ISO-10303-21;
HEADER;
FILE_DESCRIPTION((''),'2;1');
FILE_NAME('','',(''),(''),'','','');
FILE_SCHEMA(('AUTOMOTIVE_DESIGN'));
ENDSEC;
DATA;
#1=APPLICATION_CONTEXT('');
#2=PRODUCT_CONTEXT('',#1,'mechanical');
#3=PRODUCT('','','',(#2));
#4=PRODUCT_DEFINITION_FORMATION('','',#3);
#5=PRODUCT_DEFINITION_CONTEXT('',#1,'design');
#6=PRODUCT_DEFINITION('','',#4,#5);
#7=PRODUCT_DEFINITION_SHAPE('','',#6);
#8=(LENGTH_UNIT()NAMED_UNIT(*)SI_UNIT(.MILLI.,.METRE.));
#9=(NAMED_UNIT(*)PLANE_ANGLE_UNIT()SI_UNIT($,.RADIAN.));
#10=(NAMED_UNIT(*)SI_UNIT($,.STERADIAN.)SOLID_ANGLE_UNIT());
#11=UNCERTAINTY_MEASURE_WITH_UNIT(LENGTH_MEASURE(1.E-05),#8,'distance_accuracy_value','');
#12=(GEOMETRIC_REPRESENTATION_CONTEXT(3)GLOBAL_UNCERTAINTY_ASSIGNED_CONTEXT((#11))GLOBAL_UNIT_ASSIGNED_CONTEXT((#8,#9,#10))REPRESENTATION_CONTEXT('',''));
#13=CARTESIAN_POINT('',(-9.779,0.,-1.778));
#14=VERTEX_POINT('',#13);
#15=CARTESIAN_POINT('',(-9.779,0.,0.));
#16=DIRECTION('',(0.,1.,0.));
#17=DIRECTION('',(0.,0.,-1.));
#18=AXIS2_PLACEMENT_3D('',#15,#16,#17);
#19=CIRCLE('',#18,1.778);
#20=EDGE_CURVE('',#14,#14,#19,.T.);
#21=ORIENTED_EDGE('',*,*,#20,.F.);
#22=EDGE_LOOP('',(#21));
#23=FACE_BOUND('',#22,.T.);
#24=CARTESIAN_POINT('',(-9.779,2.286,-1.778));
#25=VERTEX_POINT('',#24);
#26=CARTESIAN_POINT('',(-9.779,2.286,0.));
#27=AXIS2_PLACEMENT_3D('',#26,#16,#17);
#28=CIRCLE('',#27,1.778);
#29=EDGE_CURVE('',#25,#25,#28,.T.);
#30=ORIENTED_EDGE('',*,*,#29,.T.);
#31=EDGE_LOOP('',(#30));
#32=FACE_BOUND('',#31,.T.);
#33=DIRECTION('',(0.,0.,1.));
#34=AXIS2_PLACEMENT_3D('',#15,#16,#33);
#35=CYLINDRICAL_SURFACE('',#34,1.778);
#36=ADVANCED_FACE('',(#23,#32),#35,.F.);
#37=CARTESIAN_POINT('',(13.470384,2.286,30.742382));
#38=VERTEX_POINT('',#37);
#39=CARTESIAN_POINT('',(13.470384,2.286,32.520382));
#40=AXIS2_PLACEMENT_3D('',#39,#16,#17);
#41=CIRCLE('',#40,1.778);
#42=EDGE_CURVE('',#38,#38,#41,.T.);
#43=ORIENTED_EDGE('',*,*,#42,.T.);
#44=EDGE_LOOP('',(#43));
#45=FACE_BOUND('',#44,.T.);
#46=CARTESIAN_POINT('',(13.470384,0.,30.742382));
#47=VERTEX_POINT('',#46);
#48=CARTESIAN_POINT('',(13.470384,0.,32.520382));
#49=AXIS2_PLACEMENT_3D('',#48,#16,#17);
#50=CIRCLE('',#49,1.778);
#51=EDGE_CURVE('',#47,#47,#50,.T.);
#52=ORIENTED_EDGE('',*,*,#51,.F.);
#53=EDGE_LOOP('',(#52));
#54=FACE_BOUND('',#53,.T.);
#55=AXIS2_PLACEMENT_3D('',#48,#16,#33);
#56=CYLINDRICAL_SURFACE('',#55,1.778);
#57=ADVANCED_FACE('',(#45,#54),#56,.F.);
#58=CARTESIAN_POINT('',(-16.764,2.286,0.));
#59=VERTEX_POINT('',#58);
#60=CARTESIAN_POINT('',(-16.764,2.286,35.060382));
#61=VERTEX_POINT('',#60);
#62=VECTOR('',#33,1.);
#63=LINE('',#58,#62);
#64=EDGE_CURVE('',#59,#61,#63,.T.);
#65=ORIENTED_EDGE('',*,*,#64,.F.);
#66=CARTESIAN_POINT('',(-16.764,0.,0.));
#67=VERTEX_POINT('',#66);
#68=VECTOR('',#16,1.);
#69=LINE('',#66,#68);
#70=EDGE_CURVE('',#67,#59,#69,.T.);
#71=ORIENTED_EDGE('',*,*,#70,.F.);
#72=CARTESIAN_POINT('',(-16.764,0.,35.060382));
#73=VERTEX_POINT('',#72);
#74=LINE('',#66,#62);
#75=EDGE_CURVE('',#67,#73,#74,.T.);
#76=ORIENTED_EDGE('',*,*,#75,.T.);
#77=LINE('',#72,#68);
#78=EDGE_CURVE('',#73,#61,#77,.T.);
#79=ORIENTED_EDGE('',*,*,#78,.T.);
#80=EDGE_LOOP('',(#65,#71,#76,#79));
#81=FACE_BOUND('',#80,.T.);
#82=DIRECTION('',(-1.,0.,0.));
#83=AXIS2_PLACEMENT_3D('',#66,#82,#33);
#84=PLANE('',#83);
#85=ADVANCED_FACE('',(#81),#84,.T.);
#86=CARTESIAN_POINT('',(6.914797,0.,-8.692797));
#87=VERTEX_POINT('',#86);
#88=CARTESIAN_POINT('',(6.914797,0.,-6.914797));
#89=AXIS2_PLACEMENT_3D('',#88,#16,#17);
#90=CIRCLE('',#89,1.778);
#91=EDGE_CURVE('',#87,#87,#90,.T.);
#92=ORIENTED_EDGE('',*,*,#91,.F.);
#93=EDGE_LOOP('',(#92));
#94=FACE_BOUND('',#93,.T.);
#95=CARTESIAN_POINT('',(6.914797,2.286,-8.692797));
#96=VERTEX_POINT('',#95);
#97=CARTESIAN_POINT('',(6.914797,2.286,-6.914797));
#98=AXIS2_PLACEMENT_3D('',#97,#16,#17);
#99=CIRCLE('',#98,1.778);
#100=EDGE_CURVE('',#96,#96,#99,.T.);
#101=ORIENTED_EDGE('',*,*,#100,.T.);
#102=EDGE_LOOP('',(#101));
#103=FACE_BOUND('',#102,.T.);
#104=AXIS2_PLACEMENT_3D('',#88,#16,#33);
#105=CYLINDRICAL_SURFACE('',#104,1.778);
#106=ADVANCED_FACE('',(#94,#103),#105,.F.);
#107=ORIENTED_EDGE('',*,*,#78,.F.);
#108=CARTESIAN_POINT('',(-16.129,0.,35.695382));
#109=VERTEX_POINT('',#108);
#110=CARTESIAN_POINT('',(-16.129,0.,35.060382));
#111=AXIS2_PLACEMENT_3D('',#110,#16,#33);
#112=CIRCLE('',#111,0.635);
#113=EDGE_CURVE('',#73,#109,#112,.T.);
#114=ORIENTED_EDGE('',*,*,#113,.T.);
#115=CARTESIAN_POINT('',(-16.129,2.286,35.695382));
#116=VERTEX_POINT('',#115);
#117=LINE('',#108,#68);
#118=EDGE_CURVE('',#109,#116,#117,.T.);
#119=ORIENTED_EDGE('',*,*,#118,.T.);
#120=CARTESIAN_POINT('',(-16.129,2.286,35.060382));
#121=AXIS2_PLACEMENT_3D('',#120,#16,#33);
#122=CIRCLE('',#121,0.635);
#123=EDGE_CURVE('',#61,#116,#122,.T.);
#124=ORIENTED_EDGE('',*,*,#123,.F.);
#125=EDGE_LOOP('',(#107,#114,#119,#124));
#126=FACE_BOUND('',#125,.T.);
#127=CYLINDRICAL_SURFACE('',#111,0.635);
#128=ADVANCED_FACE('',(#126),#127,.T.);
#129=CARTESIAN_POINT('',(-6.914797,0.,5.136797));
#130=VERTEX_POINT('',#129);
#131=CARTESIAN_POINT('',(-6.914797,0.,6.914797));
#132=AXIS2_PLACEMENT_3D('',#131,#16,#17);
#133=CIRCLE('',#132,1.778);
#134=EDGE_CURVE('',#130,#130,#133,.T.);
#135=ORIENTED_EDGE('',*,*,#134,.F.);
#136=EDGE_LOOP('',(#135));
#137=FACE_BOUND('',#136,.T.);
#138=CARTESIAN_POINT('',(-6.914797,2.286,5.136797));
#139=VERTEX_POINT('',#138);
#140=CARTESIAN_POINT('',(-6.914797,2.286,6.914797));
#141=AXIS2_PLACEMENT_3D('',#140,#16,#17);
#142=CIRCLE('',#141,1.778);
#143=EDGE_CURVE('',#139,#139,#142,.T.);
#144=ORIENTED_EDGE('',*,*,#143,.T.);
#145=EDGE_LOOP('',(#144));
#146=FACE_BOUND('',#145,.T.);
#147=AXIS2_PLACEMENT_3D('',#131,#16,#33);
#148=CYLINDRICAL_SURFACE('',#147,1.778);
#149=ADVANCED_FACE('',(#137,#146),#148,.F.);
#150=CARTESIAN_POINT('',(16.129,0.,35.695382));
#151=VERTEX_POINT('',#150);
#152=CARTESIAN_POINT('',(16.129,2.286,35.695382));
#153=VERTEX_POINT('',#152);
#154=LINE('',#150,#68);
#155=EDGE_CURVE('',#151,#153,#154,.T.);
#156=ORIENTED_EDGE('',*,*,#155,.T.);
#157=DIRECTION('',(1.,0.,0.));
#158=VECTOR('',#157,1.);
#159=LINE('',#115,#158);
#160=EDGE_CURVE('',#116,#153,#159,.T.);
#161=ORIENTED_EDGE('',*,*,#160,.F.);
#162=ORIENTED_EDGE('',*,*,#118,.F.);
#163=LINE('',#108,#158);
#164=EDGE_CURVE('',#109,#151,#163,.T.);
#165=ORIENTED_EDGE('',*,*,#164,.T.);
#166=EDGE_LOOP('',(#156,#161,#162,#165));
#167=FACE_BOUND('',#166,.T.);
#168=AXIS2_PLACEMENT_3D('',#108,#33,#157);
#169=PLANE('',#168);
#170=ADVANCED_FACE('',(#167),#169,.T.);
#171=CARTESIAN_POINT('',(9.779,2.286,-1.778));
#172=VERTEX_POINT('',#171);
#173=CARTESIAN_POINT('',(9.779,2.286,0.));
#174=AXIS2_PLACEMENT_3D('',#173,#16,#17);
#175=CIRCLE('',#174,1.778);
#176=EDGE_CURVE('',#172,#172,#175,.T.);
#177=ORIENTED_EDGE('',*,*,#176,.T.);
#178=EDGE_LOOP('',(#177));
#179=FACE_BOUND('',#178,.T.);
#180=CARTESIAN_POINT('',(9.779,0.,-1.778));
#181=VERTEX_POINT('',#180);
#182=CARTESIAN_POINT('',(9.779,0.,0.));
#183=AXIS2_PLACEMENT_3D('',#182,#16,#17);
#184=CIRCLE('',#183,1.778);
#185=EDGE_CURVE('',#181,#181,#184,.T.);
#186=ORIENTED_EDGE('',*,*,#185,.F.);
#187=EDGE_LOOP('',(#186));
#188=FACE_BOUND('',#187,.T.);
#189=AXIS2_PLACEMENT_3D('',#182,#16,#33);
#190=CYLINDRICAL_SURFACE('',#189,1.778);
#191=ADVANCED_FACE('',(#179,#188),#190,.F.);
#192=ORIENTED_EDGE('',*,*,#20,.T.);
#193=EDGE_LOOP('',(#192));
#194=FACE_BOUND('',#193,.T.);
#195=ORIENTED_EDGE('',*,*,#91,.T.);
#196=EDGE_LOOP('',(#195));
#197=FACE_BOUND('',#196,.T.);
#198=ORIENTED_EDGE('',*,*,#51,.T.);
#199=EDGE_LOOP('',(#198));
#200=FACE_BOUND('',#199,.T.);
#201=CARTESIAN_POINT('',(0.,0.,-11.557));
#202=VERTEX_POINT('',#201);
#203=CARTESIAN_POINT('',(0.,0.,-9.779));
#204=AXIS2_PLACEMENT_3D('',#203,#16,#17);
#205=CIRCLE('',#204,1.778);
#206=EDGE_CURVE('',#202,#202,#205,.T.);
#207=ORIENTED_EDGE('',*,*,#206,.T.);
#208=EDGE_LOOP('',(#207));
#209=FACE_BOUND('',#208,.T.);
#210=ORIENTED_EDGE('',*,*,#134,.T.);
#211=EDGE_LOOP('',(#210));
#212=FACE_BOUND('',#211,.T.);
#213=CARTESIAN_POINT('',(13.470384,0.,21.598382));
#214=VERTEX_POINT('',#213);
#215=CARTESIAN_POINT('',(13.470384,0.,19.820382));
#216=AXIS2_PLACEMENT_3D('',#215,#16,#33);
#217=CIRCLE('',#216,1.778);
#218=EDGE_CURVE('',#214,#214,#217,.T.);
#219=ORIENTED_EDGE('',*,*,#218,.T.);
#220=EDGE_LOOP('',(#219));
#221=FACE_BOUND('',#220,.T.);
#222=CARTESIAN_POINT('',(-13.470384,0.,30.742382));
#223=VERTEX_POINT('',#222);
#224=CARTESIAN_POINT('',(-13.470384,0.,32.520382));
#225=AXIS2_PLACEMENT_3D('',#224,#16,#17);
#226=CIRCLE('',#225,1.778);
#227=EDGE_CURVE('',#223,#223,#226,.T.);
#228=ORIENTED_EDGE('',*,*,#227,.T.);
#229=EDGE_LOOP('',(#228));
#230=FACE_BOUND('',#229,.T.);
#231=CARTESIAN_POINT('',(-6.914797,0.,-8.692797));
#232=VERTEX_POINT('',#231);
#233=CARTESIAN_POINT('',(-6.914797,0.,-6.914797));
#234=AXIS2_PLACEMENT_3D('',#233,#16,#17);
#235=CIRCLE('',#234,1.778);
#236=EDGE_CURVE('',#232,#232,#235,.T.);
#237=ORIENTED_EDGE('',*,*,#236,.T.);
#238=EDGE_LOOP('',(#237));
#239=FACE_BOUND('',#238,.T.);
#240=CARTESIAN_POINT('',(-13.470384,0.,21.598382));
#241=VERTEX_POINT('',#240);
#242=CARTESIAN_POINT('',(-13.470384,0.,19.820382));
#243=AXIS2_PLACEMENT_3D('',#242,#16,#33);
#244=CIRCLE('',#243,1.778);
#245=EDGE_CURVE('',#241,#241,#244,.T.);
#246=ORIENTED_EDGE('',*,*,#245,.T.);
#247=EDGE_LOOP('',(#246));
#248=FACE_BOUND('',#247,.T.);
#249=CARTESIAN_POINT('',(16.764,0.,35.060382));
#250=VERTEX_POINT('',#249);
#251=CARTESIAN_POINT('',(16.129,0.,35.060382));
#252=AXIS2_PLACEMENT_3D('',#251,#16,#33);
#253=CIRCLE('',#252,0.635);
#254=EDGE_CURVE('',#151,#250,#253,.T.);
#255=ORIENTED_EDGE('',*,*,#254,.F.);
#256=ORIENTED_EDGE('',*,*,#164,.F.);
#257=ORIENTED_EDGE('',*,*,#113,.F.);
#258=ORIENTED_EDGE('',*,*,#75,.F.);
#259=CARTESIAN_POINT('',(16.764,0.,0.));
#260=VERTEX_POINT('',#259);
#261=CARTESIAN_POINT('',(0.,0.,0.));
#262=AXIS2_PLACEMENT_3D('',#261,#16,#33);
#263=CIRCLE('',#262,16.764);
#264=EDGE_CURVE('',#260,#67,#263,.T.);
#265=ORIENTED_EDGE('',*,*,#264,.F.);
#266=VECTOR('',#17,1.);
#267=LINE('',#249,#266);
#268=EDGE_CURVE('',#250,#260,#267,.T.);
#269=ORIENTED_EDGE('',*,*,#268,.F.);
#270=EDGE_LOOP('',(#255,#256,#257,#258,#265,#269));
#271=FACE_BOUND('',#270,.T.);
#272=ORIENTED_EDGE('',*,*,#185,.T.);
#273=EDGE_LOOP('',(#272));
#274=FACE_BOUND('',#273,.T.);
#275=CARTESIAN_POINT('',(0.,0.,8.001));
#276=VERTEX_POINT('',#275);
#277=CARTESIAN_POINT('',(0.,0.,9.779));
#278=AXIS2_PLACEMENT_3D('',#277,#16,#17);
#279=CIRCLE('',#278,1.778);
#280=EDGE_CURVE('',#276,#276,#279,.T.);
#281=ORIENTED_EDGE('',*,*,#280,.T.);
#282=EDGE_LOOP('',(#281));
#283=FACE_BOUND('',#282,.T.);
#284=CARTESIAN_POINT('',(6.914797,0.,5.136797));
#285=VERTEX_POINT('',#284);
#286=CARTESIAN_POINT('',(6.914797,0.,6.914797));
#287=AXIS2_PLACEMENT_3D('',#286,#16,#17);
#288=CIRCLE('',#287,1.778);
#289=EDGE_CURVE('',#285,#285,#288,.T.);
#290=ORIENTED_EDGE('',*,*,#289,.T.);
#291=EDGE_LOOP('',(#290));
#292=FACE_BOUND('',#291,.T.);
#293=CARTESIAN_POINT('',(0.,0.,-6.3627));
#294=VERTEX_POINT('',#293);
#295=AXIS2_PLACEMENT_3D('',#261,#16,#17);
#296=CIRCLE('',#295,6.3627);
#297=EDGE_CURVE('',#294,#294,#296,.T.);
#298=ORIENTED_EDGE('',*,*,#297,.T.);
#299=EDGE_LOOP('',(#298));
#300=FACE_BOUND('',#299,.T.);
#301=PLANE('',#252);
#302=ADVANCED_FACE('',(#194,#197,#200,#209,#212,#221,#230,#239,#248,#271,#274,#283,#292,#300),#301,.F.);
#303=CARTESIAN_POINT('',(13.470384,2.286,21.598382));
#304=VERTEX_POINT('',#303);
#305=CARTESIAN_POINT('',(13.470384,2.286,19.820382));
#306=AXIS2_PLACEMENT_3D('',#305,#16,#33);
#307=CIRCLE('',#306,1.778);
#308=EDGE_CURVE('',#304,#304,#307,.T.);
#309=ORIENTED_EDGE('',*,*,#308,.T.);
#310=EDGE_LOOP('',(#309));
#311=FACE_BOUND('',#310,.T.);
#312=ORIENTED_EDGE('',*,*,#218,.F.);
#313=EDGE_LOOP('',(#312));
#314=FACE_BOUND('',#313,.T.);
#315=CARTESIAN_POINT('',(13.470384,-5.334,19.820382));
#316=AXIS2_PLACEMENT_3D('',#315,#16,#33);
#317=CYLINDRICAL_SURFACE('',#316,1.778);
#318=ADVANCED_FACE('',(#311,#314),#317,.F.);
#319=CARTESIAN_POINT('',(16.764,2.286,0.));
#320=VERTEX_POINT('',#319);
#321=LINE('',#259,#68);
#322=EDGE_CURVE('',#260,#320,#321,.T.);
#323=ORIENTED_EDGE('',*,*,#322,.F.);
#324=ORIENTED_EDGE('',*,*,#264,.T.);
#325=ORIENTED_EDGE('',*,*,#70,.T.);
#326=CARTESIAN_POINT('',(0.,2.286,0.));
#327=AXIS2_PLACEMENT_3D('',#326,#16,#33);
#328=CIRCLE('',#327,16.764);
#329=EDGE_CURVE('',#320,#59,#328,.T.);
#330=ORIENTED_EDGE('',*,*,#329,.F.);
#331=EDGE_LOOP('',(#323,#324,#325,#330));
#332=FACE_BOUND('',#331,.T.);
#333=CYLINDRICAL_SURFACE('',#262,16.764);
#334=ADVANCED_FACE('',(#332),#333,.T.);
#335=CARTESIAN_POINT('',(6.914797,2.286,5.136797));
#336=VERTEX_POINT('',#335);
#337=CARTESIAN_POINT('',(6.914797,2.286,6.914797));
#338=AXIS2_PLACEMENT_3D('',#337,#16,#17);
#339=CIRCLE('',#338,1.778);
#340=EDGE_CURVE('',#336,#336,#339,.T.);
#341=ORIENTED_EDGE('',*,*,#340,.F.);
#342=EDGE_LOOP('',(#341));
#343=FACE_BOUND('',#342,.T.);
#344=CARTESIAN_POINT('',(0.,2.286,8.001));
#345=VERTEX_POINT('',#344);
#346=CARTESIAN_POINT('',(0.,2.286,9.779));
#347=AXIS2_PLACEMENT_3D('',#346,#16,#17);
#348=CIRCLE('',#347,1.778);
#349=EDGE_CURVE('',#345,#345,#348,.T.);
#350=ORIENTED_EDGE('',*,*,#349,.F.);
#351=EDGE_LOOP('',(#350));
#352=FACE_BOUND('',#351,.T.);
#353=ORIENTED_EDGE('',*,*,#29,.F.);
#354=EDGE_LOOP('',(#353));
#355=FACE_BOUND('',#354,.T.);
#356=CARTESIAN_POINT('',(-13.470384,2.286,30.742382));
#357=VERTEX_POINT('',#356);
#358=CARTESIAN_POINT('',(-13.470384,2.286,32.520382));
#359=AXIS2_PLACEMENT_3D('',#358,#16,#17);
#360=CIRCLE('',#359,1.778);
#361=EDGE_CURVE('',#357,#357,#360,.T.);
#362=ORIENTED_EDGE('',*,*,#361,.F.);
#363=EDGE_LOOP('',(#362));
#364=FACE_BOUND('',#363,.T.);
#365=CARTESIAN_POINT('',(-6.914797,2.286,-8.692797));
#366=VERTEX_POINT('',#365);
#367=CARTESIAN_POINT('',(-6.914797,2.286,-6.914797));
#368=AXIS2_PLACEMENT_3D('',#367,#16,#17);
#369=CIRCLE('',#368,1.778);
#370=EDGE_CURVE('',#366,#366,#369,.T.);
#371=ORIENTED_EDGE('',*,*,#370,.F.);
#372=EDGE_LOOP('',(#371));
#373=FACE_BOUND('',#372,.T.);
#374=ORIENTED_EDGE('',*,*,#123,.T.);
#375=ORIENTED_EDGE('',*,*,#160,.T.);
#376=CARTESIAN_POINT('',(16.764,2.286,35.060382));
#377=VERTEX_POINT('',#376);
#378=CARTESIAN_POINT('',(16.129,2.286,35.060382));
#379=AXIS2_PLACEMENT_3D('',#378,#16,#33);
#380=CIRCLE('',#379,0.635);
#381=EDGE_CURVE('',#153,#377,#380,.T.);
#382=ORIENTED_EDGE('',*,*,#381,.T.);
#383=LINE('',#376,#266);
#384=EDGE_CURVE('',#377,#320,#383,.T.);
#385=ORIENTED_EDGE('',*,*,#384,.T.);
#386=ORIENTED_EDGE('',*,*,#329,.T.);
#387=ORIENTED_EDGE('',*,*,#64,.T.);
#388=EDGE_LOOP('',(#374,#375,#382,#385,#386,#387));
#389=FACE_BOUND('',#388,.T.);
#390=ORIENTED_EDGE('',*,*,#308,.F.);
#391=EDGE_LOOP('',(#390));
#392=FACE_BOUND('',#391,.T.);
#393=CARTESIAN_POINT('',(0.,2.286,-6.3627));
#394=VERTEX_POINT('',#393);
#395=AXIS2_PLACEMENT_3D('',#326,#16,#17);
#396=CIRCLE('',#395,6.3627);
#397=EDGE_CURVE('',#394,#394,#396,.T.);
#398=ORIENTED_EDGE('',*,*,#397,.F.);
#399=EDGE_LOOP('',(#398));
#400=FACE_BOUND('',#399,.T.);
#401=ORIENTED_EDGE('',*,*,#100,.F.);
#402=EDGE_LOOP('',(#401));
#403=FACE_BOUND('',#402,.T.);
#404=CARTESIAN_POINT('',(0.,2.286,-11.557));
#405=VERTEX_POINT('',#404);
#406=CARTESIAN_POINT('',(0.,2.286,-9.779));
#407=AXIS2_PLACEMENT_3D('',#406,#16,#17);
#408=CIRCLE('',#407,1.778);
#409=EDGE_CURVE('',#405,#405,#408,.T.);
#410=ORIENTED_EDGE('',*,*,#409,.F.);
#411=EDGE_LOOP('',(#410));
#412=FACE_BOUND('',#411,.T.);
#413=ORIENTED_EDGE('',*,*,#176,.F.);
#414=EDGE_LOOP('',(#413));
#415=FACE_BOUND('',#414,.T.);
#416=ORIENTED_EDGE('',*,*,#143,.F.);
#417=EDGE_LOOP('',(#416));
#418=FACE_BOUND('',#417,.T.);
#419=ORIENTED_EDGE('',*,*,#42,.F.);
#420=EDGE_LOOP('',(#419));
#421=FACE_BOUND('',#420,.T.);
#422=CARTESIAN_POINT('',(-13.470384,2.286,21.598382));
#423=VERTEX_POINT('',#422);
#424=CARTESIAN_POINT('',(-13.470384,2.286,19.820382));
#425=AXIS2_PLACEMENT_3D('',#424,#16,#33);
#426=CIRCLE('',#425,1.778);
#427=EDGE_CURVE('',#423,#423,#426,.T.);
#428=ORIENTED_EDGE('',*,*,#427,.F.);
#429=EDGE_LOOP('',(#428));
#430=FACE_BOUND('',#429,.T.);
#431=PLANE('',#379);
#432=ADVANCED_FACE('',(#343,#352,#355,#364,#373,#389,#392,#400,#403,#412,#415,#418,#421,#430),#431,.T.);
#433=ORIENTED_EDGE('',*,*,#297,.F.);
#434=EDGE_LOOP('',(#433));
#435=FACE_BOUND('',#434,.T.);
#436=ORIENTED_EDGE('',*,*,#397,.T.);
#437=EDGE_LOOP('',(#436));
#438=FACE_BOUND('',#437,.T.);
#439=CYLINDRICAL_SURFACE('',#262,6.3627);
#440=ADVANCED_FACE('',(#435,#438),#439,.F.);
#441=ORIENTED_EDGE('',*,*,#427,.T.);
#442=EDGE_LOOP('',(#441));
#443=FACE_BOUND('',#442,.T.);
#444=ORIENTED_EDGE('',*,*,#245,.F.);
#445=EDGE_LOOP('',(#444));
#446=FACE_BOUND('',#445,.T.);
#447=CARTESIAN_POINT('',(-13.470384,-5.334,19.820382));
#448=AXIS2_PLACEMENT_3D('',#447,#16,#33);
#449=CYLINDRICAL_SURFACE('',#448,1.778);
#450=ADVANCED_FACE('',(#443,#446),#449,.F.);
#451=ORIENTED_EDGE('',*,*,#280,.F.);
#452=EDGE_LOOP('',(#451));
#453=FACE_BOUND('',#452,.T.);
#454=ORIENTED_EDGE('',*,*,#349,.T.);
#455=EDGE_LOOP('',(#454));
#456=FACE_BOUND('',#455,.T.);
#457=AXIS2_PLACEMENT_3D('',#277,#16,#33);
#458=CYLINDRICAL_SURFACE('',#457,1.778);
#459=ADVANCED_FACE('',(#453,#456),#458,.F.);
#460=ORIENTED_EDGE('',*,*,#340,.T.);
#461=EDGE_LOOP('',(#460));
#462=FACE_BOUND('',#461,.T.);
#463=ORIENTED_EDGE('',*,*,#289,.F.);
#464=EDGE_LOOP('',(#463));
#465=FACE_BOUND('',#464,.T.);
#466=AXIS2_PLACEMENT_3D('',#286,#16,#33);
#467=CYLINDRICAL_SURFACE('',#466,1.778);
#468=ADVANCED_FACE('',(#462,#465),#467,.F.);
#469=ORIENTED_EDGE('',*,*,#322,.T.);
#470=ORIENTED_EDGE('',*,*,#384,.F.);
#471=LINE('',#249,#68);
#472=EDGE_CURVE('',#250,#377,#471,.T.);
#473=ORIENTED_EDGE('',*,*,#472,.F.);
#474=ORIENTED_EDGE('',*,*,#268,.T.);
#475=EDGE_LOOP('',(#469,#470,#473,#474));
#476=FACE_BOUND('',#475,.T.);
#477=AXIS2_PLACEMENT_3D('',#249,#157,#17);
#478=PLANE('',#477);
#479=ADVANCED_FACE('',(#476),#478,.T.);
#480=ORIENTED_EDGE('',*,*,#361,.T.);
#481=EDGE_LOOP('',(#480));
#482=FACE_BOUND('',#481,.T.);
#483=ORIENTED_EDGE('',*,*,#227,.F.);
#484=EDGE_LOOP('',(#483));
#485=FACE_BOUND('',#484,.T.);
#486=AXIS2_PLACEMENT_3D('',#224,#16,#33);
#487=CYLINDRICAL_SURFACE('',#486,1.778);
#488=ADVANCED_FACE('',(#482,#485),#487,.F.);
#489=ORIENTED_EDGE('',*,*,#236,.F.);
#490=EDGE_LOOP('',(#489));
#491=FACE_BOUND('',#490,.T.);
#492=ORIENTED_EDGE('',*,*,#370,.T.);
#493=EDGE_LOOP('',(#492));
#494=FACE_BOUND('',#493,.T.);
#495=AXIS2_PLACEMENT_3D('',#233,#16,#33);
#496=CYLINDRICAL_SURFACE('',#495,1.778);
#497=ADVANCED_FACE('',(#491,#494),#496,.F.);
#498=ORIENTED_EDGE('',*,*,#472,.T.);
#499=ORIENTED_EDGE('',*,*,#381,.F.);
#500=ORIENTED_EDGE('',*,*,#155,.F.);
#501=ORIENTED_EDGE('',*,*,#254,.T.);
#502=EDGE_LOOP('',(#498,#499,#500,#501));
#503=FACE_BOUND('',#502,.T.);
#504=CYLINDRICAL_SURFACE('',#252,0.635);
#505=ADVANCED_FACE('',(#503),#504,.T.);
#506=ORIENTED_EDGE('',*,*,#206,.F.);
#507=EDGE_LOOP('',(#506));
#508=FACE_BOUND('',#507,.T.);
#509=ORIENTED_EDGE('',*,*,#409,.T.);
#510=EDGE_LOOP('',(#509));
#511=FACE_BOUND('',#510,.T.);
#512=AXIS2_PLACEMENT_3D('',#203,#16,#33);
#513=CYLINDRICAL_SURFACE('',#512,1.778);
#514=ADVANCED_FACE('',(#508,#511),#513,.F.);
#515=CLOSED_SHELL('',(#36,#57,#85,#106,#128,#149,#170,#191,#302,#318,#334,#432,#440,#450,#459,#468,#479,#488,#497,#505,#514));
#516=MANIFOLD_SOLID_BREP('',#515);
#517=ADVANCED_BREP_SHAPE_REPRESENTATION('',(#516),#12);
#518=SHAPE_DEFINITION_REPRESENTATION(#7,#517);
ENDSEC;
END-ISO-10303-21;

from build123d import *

# Parameters (mm, degrees)
SKETCH1_R           = 6.3627
SKETCH1_R_2         = 1.778
BOSS_EXTRUDE1_DEPTH = 2.286
SKETCH2_R           = 1.778
CUT_EXTRUDE1_DEPTH  = 7.62


with BuildPart() as part:
    # Sketch1 → Boss-Extrude1 (new body)
    with BuildSketch(Plane(origin=(0, 2.286, 0), x_dir=(1, 0, 0), z_dir=(0, 1, 0))):
        with BuildLine():
            Line((16.764, -35.060382), (16.764, 0))
            ThreePointArc((16.764, 0), (0, 16.764), (-16.764, 0))
            Line((-16.764, 0), (-16.764, -35.060382))
            ThreePointArc((-16.764, -35.060382), (-16.578012806, -35.509394806), (-16.129, -35.695382))
            Line((-16.129, -35.695382), (16.129, -35.695382))
            ThreePointArc((16.129, -35.695382), (16.578012806, -35.509394806), (16.764, -35.060382))
        make_face()
        with Locations(Location((0, 0, 0), (0, 0, 90))):
            Circle(SKETCH1_R, mode=Mode.SUBTRACT)
        with Locations(Location((9.779, 0, 0), (0, 0, 90))):
            Circle(SKETCH1_R_2, mode=Mode.SUBTRACT)
        with Locations(Location((6.914797213, 6.914797213, 0), (0, 0, 90))):
            Circle(SKETCH1_R_2, mode=Mode.SUBTRACT)
        with Locations(Location((0, 9.779, 0), (0, 0, 90))):
            Circle(SKETCH1_R_2, mode=Mode.SUBTRACT)
        with Locations(Location((-6.914797213, 6.914797213, 0), (0, 0, 90))):
            Circle(SKETCH1_R_2, mode=Mode.SUBTRACT)
        with Locations(Location((-9.779, 0, 0), (0, 0, 90))):
            Circle(SKETCH1_R_2, mode=Mode.SUBTRACT)
        with Locations(Location((-6.914797213, -6.914797213, 0), (0, 0, 90))):
            Circle(SKETCH1_R_2, mode=Mode.SUBTRACT)
        with Locations(Location((0, -9.779, 0), (0, 0, 90))):
            Circle(SKETCH1_R_2, mode=Mode.SUBTRACT)
        with Locations(Location((6.914797213, -6.914797213, 0), (0, 0, 90))):
            Circle(SKETCH1_R_2, mode=Mode.SUBTRACT)
        with Locations(Location((13.470384182, -32.520382, 0), (0, 0, 90))):
            Circle(SKETCH1_R_2, mode=Mode.SUBTRACT)
        with Locations(Location((-13.470384182, -32.520382, 0), (0, 0, 90))):
            Circle(SKETCH1_R_2, mode=Mode.SUBTRACT)
    extrude(amount=-BOSS_EXTRUDE1_DEPTH)

    # Sketch2 → Cut-Extrude1 (cut)
    with BuildSketch(Plane(origin=(0, 2.286, 0), x_dir=(1, 0, 0), z_dir=(0, 1, 0))):
        with Locations(Location((13.470384182, -19.820382, 0), (0, 0, 270))):
            Circle(SKETCH2_R)
        with Locations(Location((-13.470384182, -19.820382, 0), (0, 0, 270))):
            Circle(SKETCH2_R)
    extrude(amount=-CUT_EXTRUDE1_DEPTH, mode=Mode.SUBTRACT)


solid = part.part
